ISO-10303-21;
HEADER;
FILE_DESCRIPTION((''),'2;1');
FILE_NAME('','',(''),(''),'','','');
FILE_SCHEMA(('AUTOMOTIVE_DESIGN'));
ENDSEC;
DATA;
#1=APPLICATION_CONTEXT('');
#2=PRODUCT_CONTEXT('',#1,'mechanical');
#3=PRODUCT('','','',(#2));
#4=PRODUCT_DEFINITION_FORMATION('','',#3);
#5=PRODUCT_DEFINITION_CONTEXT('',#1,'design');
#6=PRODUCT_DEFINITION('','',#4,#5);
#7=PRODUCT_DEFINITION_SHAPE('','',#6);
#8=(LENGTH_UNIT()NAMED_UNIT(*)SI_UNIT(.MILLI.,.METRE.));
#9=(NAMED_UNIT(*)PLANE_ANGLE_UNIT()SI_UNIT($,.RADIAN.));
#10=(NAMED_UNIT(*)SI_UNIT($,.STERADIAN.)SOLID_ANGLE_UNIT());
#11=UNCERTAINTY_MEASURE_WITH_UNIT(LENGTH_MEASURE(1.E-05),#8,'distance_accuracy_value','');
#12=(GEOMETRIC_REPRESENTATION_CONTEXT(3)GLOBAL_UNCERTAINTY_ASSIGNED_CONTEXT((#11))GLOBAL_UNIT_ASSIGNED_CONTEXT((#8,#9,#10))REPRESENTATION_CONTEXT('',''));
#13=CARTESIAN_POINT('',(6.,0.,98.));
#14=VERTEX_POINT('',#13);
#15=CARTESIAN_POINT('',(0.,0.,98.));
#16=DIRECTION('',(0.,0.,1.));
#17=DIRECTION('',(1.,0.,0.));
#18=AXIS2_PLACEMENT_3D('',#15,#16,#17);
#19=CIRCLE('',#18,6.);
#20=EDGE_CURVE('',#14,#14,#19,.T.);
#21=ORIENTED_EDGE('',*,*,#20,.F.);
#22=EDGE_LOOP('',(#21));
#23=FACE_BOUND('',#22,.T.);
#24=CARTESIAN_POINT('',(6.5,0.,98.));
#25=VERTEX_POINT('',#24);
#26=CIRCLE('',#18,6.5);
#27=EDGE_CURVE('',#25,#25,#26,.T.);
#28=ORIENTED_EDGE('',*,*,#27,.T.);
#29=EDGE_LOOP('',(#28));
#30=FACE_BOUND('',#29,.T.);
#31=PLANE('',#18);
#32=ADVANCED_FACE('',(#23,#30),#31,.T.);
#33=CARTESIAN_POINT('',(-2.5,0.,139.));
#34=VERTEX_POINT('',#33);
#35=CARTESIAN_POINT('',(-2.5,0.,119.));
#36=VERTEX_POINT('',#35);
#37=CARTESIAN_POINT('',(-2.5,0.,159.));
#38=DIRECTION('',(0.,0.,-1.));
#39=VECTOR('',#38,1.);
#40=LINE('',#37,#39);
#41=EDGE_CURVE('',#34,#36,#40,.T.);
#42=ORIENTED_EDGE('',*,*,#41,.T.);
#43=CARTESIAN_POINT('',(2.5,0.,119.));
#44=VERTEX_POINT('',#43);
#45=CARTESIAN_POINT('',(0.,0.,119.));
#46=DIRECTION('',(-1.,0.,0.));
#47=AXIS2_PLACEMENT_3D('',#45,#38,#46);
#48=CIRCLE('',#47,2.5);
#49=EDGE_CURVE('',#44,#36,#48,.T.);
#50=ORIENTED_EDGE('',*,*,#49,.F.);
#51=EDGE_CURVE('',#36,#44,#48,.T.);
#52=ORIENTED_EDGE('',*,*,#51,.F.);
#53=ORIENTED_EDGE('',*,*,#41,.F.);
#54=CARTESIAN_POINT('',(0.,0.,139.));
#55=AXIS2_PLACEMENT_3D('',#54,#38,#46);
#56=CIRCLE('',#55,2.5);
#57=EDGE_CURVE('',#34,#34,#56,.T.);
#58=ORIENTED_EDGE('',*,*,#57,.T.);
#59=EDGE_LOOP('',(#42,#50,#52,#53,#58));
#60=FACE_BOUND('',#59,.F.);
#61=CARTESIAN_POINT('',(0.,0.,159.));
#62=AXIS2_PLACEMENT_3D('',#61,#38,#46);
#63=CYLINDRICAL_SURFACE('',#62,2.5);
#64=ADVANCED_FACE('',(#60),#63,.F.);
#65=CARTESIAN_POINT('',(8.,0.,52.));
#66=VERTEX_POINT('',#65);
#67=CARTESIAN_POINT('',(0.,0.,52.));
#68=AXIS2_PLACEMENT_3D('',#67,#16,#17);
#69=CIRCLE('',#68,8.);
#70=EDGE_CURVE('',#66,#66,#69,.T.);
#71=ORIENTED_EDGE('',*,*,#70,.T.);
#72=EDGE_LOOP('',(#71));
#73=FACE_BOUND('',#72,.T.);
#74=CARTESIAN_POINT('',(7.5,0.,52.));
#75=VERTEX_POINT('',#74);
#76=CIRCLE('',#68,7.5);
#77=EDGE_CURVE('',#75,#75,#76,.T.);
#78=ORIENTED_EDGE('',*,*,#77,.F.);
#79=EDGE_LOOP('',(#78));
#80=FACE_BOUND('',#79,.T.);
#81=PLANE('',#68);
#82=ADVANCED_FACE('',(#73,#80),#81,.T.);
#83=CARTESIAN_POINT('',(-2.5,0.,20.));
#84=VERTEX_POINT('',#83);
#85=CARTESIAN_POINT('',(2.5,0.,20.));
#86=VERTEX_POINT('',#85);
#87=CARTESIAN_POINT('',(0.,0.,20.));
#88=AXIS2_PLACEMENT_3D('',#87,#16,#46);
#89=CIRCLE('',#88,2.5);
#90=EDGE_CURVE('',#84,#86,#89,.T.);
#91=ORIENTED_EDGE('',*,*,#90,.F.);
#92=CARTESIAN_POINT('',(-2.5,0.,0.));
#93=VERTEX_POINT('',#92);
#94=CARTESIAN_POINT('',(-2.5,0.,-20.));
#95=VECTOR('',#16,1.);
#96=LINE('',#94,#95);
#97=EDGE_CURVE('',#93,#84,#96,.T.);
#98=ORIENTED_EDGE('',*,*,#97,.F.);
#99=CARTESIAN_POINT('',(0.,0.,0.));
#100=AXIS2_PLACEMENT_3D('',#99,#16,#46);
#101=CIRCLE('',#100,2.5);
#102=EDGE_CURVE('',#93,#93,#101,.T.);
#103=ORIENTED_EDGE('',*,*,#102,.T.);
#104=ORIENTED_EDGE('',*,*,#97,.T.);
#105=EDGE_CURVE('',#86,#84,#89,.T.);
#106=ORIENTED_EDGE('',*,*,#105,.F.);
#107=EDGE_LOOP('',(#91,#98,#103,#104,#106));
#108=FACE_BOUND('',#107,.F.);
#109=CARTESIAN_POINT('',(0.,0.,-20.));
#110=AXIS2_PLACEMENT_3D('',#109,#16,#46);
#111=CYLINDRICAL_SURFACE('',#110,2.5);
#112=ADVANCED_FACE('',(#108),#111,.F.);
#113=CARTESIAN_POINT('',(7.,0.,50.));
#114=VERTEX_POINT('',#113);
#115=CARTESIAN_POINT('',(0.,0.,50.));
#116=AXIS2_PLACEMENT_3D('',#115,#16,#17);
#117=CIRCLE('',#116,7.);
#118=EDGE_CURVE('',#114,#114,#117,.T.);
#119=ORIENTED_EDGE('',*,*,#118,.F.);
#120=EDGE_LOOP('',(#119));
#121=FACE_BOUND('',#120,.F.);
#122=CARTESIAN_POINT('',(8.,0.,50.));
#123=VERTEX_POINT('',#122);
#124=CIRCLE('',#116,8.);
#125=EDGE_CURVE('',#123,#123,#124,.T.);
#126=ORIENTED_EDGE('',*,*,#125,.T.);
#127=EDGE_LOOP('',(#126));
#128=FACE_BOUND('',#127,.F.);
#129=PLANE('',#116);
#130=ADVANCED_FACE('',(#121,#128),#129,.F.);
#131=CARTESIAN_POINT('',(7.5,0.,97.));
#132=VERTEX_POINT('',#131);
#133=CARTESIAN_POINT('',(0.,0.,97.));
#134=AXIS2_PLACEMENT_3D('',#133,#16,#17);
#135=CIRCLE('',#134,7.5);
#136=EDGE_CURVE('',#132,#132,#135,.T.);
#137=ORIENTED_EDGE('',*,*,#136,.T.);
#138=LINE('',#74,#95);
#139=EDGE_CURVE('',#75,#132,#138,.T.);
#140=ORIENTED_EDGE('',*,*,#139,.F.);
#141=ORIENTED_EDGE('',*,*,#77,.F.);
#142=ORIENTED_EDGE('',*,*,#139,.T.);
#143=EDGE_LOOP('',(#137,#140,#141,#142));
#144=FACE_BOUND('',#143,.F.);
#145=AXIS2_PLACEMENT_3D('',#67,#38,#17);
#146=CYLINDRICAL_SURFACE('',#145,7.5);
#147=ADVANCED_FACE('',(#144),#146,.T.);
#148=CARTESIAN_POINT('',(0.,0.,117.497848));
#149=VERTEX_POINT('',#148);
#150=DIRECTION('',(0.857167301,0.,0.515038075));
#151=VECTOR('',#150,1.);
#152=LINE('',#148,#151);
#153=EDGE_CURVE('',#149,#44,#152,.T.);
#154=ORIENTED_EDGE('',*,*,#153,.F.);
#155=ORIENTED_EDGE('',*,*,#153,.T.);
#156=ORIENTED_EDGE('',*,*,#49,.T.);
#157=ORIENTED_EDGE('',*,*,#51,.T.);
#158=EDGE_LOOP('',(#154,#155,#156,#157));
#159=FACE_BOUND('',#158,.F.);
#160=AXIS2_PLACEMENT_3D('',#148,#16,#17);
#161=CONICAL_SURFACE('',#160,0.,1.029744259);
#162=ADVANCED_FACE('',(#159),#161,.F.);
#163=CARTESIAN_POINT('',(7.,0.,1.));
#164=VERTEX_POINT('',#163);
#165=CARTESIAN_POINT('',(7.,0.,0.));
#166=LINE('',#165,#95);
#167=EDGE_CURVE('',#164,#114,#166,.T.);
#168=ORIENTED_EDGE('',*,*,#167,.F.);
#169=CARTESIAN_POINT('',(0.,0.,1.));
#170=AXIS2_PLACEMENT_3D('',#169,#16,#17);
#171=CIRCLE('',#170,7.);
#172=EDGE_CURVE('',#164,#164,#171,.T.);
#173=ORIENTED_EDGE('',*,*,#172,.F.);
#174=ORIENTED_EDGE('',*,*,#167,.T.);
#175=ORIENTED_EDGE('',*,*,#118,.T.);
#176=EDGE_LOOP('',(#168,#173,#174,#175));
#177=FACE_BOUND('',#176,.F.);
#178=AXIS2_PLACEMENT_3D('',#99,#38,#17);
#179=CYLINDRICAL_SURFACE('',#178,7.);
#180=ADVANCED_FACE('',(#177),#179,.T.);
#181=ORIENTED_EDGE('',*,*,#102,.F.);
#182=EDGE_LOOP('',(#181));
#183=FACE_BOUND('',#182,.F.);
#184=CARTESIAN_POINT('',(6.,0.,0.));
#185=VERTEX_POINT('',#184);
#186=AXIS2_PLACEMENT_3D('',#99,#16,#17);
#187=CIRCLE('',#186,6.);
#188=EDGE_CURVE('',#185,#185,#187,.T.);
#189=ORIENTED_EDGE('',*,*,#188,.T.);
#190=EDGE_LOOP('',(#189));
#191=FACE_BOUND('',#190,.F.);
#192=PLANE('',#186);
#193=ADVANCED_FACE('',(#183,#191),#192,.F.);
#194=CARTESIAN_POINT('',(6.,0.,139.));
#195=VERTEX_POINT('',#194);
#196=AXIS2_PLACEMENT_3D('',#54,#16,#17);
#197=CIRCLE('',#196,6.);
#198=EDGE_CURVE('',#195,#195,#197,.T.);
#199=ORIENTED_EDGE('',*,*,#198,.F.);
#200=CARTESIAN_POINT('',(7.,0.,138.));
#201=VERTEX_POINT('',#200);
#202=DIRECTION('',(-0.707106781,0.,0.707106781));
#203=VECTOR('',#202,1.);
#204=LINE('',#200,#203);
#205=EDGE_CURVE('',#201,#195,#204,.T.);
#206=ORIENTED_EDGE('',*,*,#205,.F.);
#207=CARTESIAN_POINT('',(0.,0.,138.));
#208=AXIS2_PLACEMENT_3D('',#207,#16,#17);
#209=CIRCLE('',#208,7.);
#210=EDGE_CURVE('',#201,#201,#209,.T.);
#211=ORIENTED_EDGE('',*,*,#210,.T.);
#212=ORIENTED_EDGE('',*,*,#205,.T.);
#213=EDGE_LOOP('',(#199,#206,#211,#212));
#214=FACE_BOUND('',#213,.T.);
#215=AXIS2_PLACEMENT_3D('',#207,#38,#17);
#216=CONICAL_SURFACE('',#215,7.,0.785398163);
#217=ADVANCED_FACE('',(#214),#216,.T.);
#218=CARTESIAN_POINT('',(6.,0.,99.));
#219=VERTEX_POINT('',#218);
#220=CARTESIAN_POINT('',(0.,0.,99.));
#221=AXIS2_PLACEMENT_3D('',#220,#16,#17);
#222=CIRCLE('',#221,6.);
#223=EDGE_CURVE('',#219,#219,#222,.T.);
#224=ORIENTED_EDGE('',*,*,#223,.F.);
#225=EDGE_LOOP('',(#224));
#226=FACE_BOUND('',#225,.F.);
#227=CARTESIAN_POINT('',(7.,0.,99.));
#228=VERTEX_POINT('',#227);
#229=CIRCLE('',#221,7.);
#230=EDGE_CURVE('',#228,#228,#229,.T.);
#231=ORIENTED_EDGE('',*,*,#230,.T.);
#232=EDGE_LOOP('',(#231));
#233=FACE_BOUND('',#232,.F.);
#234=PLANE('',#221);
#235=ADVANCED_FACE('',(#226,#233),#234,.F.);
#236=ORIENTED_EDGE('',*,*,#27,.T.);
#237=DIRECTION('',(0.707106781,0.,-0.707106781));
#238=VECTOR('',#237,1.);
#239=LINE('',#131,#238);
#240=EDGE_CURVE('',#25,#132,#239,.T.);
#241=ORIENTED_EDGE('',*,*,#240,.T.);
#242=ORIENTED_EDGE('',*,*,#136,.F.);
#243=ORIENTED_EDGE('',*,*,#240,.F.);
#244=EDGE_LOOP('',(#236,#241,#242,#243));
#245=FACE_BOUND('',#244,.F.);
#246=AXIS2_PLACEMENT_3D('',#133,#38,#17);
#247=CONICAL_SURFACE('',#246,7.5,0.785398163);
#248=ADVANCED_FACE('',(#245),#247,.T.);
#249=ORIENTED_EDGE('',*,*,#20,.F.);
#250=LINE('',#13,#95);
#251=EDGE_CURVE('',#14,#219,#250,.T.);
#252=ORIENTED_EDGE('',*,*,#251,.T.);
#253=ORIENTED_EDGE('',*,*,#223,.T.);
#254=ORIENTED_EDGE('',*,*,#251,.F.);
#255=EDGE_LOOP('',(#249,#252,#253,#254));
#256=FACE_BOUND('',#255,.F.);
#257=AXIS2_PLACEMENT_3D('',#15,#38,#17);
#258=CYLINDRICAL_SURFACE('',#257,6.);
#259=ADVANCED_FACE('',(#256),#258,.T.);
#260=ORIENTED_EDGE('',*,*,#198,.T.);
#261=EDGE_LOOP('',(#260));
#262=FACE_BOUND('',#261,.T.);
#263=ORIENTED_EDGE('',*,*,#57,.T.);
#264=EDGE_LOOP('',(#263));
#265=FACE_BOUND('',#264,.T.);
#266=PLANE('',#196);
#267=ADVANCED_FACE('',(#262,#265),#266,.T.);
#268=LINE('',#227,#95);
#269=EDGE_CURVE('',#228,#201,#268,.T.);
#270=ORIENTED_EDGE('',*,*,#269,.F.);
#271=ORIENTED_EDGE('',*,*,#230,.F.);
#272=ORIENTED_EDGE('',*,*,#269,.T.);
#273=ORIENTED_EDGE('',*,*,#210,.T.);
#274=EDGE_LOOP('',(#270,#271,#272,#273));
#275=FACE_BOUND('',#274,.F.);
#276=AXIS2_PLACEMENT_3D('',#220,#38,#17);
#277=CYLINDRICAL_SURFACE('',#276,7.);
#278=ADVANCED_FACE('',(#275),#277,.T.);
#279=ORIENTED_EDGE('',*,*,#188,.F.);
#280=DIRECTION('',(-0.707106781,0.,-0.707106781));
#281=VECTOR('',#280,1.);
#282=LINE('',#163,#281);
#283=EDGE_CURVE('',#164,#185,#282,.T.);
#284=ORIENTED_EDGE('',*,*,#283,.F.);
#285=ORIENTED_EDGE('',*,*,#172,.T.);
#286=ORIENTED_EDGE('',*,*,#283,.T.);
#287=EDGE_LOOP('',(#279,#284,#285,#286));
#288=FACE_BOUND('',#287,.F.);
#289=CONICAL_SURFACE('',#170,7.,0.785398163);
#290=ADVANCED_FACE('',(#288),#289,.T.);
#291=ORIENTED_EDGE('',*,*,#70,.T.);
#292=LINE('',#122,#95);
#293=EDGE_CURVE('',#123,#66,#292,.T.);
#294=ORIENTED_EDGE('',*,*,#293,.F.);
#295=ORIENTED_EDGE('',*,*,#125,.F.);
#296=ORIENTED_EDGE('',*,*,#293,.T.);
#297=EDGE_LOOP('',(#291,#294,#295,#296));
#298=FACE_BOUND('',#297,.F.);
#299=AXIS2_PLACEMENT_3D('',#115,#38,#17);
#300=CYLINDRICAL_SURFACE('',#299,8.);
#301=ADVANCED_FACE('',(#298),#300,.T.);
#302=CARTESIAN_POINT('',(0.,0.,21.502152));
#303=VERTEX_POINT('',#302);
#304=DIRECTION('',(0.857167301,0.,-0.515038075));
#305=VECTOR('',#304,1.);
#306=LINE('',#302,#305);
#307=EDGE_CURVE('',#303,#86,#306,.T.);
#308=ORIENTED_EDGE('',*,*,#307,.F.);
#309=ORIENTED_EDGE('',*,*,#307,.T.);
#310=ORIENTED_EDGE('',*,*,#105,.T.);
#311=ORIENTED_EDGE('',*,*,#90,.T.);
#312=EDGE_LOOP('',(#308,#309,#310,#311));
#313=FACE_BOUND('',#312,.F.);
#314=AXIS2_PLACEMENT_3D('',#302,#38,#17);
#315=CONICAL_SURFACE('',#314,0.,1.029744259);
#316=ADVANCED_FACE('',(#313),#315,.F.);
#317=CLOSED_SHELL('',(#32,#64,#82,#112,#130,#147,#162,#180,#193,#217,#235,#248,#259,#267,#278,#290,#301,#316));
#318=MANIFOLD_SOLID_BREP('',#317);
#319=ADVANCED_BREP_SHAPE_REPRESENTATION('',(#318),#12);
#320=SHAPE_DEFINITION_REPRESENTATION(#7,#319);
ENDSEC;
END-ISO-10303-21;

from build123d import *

# Parameters (mm, degrees)
F0_R      = 7
F1_DEPTH  = 50
F2_R      = 8
F3_DEPTH  = 2
F4_R      = 7.5
F5_DEPTH  = 46
F6_R      = 6
F7_DEPTH  = 1
F8_R      = 7
F9_DEPTH  = 40
F11_D     = 5
F11_DEPTH = 20
F11_TIP   = 1.5021515476
F13_D     = 5
F13_DEPTH = 20
F13_TIP   = 1.5021515476
F14_SIZE  = 1


with BuildPart() as f1:
    # F0 (on Top) → F1 (new body)
    with BuildSketch(Plane.XY):
        Circle(F0_R)
    extrude(amount=F1_DEPTH)

    # F2 (on face) → F3 (join)
    with BuildSketch(Plane.XY.offset(50)):
        Circle(F2_R)
    extrude(amount=F3_DEPTH)

    # F4 (on face) → F5 (join)
    with BuildSketch(Plane.XY.offset(52)):
        Circle(F4_R)
    extrude(amount=F5_DEPTH)

    # F6 (on face) → F7 (join)
    with BuildSketch(Plane.XY.offset(98)):
        Circle(F6_R)
    extrude(amount=F7_DEPTH)

    # F8 (on face) → F9 (join)
    with BuildSketch(Plane.XY.offset(99)):
        Circle(F8_R)
    extrude(amount=F9_DEPTH)

    # F11
    with Locations(Plane.XY.offset(139)):
        with Locations((0, 0)):
            Hole(F11_D / 2, depth=F11_DEPTH)
            with Locations((0, 0, -(F11_DEPTH + F11_TIP / 2))):  # 118° drill point
                Cone(0, F11_D / 2, F11_TIP, mode=Mode.SUBTRACT)

    # F13
    with Locations(Plane(origin=(0, 0, 0), x_dir=(1, 0, 0), z_dir=(0, 0, -1))):
        with Locations((0, 0)):
            Hole(F13_D / 2, depth=F13_DEPTH)
            with Locations((0, 0, -(F13_DEPTH + F13_TIP / 2))):  # 118° drill point
                Cone(0, F13_D / 2, F13_TIP, mode=Mode.SUBTRACT)

    # F14
    f14_edges = [f1.edges().sort_by_distance(p)[0] for p in [
        (-7, 0, 0),
        (-7, 0, 139),
        (-7.5, 0, 98),
    ]]
    chamfer(f14_edges, length=F14_SIZE)


solid = f1.part
